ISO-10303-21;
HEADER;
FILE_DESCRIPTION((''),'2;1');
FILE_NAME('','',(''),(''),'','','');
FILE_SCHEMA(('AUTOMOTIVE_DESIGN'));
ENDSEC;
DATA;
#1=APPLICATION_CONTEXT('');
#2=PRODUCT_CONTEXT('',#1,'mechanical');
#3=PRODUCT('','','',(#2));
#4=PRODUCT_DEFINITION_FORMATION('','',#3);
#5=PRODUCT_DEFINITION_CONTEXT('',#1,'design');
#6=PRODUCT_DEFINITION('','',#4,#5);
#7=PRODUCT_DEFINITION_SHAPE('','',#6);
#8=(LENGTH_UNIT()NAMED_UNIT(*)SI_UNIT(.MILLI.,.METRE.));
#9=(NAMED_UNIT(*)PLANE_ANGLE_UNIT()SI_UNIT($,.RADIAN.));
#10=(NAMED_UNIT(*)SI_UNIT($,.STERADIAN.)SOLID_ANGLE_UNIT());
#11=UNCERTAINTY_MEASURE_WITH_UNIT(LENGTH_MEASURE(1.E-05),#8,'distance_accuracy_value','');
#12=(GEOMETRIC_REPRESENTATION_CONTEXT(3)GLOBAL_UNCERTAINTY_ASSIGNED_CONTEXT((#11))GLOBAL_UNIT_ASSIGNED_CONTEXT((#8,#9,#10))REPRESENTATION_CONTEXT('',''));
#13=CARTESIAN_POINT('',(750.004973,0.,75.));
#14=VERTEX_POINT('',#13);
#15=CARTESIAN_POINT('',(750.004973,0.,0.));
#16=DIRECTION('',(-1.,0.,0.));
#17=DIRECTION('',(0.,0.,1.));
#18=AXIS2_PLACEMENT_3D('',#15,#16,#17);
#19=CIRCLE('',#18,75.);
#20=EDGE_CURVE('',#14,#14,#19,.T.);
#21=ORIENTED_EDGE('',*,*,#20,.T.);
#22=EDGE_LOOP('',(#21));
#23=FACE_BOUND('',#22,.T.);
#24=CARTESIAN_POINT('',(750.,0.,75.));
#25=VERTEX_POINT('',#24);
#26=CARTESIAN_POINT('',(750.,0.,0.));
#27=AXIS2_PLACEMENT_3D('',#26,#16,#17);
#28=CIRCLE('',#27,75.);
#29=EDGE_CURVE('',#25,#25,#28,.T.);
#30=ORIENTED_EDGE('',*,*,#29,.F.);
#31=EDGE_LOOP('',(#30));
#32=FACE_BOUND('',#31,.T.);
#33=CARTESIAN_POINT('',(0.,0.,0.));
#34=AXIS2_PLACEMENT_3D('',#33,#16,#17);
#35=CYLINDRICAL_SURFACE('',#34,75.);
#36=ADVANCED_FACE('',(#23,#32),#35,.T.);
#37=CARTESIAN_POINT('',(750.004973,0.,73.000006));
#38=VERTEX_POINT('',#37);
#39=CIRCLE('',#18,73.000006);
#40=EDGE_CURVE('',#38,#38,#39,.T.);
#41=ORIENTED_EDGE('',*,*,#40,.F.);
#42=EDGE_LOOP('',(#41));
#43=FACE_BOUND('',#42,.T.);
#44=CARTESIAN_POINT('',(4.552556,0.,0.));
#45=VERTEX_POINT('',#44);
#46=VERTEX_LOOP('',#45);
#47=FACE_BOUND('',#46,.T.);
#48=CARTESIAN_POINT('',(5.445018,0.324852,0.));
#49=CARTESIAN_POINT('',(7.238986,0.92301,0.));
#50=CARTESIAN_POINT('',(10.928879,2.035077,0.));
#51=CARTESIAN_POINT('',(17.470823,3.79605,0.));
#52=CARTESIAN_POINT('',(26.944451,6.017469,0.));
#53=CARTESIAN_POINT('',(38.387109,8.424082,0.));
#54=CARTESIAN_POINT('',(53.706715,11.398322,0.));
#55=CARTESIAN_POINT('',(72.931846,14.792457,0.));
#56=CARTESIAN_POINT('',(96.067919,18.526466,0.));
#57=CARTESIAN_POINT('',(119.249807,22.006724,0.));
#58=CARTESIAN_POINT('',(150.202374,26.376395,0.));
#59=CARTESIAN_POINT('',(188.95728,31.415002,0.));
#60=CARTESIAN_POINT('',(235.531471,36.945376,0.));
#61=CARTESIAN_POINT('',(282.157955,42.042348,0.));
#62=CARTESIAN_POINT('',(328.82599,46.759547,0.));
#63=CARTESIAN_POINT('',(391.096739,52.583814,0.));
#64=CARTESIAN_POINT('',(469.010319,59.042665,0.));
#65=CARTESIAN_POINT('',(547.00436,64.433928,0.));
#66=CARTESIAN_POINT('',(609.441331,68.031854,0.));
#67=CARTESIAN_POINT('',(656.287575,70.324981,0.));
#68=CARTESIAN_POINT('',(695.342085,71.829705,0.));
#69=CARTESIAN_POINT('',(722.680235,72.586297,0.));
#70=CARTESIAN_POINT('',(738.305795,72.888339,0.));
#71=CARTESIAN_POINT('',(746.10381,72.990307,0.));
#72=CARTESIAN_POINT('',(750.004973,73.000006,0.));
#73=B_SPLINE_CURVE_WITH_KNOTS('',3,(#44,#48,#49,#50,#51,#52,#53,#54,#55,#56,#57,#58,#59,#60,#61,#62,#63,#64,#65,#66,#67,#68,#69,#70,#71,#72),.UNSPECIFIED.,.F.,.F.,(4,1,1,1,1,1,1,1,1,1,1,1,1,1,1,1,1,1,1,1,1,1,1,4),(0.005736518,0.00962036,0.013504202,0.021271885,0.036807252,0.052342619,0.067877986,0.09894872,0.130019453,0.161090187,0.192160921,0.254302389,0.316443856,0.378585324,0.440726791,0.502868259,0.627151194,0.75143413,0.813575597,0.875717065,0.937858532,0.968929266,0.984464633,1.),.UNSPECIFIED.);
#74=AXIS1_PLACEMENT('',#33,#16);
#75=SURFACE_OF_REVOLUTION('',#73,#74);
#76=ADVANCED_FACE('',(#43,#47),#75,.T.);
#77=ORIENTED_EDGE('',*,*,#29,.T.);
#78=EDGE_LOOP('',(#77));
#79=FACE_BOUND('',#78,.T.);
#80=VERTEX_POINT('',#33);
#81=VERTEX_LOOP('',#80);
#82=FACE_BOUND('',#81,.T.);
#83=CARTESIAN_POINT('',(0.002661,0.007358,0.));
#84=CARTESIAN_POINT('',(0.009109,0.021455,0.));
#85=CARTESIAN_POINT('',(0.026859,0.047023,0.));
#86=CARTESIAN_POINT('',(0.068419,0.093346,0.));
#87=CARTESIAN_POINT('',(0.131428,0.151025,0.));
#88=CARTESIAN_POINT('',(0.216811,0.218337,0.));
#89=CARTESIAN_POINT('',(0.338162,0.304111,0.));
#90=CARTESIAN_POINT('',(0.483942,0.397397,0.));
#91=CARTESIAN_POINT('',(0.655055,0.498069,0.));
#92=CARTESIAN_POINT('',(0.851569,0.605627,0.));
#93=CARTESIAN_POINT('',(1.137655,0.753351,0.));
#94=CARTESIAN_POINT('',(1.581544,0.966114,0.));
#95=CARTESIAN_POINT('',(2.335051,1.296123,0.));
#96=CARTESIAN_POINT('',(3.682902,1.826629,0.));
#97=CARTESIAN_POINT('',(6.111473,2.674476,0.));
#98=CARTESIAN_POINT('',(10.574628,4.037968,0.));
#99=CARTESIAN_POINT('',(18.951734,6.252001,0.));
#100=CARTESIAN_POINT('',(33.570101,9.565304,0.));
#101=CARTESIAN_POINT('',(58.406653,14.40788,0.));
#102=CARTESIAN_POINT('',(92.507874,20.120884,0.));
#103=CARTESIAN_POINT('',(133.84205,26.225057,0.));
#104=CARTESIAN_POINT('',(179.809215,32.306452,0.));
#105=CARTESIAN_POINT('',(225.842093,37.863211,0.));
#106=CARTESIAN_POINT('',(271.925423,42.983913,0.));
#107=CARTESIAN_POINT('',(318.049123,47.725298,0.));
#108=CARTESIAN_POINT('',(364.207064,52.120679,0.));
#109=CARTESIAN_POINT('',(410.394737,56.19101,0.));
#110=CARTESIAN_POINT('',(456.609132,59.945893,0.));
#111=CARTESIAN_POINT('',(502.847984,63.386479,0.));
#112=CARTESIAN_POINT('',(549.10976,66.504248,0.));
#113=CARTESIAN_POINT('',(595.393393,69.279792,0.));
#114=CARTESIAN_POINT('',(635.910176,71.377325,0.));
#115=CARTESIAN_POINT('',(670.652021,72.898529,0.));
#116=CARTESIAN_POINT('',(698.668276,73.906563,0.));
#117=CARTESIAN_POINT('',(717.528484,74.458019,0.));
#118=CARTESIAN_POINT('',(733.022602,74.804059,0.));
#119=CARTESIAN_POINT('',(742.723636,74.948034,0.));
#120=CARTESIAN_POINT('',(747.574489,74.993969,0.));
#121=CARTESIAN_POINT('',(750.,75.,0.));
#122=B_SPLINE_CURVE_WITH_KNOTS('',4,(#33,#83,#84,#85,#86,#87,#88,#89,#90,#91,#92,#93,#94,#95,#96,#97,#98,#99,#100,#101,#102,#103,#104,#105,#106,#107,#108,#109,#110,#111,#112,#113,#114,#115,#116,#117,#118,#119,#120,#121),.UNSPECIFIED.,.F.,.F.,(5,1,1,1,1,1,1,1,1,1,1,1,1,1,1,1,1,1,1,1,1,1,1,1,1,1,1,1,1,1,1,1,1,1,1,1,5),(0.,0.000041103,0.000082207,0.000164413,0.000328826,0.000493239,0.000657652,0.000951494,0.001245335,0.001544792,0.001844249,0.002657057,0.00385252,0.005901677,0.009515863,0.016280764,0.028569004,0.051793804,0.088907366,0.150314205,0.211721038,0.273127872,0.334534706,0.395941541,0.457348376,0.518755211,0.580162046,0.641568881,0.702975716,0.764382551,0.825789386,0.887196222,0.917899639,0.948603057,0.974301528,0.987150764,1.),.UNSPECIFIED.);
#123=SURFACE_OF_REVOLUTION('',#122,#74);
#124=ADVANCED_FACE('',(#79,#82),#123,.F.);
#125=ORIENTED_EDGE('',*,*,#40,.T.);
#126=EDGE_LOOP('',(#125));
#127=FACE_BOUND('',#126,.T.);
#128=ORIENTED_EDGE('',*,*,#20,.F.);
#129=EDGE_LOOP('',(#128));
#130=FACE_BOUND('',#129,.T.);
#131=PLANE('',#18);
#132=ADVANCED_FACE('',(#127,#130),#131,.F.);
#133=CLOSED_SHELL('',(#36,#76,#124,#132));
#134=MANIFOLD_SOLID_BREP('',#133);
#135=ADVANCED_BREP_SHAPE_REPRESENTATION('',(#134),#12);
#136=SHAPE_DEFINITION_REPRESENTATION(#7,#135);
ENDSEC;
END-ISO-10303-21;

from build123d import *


with BuildPart() as part:
    # Sketch2 → Revolve1 (revolve)
    with BuildSketch(Plane.XY, mode=Mode.PRIVATE) as revolve1_sk:
        with BuildLine():
            Line((0, 0), (4.552555597, 0))
            add(Edge.make_bspline(
                [(4.552555597, 0), (5.445018222, 0.324851789), (7.238985949, 0.923010218), (10.928879317, 2.035076929), (17.470823328, 3.796049572), (26.944450926, 6.017468658), (38.38710912, 8.424081686), (53.706714586, 11.398322285), (72.931846424, 14.792456575), (96.067919313, 18.526465576), (119.249807278, 22.00672428), (150.202374057, 26.376394952), (188.95728034, 31.415002087), (235.531471027, 36.945375998), (282.157954731, 42.042348478), (328.825989737, 46.759546557), (391.096739156, 52.583813797), (469.010319037, 59.042664613), (547.004359649, 64.433928433), (609.441331189, 68.031853787), (656.287575483, 70.324980762), (695.342084637, 71.829704962), (722.680234864, 72.586297012), (738.305795074, 72.888338901), (746.103809692, 72.990306515), (750.00497269, 73.000006182)],
                knots=[0.005736518, 0.005736518, 0.005736518, 0.005736518, 0.00962036, 0.013504202, 0.021271885, 0.036807252, 0.052342619, 0.067877986, 0.09894872, 0.130019453, 0.161090187, 0.192160921, 0.254302389, 0.316443856, 0.378585324, 0.440726791, 0.502868259, 0.627151194, 0.75143413, 0.813575597, 0.875717065, 0.937858532, 0.968929266, 0.984464633, 1, 1, 1, 1], degree=3))
            Line((750.00497269, 73.000006182), (750, 75))
            add(Edge.make_bspline(
                [(0, 0), (0.002661369, 0.00735768), (0.009108664, 0.021455176), (0.026858739, 0.047022825), (0.06841925, 0.093346235), (0.131428409, 0.1510252), (0.216810716, 0.21833703), (0.338162364, 0.304110587), (0.48394243, 0.397396692), (0.655054985, 0.498068807), (0.851568565, 0.605626998), (1.137654509, 0.753350528), (1.581543682, 0.966113556), (2.335050733, 1.296122672), (3.682901567, 1.826629283), (6.111473252, 2.674476309), (10.574628301, 4.037968264), (18.951733743, 6.252001296), (33.570100518, 9.565304084), (58.406653249, 14.407879587), (92.507874052, 20.12088369), (133.842049801, 26.225056743), (179.809214733, 32.306451647), (225.84209313, 37.86321125), (271.925422623, 42.983912816), (318.04912254, 47.72529812), (364.207064366, 52.120679156), (410.394737335, 56.191009866), (456.609131982, 59.945893406), (502.84798368, 63.386478656), (549.109760477, 66.50424795), (595.393392595, 69.279792224), (635.910176338, 71.377324916), (670.6520208, 72.898528506), (698.66827638, 73.906563077), (717.52848444, 74.458019085), (733.022602025, 74.804058757), (742.723636447, 74.948033977), (747.57448889, 74.993969324), (750, 75)],
                knots=[0, 0, 0, 0, 0, 4.1103e-05, 8.2207e-05, 0.000164413, 0.000328826, 0.000493239, 0.000657652, 0.000951494, 0.001245335, 0.001544792, 0.001844249, 0.002657057, 0.00385252, 0.005901677, 0.009515863, 0.016280764, 0.028569004, 0.051793804, 0.088907366, 0.150314205, 0.211721038, 0.273127872, 0.334534706, 0.395941541, 0.457348376, 0.518755211, 0.580162046, 0.641568881, 0.702975716, 0.764382551, 0.825789386, 0.887196222, 0.917899639, 0.948603057, 0.974301528, 0.987150764, 1, 1, 1, 1, 1], degree=4))
        make_face()
        Polygon((750, 75), (750.00497269, 75), (750.00497269, 73.000006182), align=None)
    revolve(revolve1_sk.sketch.rotate(Axis((0, 0, 0), (1, 0, 0)), 90), axis=Axis((0, 0, 0), (1, 0, 0)))


solid = part.part
